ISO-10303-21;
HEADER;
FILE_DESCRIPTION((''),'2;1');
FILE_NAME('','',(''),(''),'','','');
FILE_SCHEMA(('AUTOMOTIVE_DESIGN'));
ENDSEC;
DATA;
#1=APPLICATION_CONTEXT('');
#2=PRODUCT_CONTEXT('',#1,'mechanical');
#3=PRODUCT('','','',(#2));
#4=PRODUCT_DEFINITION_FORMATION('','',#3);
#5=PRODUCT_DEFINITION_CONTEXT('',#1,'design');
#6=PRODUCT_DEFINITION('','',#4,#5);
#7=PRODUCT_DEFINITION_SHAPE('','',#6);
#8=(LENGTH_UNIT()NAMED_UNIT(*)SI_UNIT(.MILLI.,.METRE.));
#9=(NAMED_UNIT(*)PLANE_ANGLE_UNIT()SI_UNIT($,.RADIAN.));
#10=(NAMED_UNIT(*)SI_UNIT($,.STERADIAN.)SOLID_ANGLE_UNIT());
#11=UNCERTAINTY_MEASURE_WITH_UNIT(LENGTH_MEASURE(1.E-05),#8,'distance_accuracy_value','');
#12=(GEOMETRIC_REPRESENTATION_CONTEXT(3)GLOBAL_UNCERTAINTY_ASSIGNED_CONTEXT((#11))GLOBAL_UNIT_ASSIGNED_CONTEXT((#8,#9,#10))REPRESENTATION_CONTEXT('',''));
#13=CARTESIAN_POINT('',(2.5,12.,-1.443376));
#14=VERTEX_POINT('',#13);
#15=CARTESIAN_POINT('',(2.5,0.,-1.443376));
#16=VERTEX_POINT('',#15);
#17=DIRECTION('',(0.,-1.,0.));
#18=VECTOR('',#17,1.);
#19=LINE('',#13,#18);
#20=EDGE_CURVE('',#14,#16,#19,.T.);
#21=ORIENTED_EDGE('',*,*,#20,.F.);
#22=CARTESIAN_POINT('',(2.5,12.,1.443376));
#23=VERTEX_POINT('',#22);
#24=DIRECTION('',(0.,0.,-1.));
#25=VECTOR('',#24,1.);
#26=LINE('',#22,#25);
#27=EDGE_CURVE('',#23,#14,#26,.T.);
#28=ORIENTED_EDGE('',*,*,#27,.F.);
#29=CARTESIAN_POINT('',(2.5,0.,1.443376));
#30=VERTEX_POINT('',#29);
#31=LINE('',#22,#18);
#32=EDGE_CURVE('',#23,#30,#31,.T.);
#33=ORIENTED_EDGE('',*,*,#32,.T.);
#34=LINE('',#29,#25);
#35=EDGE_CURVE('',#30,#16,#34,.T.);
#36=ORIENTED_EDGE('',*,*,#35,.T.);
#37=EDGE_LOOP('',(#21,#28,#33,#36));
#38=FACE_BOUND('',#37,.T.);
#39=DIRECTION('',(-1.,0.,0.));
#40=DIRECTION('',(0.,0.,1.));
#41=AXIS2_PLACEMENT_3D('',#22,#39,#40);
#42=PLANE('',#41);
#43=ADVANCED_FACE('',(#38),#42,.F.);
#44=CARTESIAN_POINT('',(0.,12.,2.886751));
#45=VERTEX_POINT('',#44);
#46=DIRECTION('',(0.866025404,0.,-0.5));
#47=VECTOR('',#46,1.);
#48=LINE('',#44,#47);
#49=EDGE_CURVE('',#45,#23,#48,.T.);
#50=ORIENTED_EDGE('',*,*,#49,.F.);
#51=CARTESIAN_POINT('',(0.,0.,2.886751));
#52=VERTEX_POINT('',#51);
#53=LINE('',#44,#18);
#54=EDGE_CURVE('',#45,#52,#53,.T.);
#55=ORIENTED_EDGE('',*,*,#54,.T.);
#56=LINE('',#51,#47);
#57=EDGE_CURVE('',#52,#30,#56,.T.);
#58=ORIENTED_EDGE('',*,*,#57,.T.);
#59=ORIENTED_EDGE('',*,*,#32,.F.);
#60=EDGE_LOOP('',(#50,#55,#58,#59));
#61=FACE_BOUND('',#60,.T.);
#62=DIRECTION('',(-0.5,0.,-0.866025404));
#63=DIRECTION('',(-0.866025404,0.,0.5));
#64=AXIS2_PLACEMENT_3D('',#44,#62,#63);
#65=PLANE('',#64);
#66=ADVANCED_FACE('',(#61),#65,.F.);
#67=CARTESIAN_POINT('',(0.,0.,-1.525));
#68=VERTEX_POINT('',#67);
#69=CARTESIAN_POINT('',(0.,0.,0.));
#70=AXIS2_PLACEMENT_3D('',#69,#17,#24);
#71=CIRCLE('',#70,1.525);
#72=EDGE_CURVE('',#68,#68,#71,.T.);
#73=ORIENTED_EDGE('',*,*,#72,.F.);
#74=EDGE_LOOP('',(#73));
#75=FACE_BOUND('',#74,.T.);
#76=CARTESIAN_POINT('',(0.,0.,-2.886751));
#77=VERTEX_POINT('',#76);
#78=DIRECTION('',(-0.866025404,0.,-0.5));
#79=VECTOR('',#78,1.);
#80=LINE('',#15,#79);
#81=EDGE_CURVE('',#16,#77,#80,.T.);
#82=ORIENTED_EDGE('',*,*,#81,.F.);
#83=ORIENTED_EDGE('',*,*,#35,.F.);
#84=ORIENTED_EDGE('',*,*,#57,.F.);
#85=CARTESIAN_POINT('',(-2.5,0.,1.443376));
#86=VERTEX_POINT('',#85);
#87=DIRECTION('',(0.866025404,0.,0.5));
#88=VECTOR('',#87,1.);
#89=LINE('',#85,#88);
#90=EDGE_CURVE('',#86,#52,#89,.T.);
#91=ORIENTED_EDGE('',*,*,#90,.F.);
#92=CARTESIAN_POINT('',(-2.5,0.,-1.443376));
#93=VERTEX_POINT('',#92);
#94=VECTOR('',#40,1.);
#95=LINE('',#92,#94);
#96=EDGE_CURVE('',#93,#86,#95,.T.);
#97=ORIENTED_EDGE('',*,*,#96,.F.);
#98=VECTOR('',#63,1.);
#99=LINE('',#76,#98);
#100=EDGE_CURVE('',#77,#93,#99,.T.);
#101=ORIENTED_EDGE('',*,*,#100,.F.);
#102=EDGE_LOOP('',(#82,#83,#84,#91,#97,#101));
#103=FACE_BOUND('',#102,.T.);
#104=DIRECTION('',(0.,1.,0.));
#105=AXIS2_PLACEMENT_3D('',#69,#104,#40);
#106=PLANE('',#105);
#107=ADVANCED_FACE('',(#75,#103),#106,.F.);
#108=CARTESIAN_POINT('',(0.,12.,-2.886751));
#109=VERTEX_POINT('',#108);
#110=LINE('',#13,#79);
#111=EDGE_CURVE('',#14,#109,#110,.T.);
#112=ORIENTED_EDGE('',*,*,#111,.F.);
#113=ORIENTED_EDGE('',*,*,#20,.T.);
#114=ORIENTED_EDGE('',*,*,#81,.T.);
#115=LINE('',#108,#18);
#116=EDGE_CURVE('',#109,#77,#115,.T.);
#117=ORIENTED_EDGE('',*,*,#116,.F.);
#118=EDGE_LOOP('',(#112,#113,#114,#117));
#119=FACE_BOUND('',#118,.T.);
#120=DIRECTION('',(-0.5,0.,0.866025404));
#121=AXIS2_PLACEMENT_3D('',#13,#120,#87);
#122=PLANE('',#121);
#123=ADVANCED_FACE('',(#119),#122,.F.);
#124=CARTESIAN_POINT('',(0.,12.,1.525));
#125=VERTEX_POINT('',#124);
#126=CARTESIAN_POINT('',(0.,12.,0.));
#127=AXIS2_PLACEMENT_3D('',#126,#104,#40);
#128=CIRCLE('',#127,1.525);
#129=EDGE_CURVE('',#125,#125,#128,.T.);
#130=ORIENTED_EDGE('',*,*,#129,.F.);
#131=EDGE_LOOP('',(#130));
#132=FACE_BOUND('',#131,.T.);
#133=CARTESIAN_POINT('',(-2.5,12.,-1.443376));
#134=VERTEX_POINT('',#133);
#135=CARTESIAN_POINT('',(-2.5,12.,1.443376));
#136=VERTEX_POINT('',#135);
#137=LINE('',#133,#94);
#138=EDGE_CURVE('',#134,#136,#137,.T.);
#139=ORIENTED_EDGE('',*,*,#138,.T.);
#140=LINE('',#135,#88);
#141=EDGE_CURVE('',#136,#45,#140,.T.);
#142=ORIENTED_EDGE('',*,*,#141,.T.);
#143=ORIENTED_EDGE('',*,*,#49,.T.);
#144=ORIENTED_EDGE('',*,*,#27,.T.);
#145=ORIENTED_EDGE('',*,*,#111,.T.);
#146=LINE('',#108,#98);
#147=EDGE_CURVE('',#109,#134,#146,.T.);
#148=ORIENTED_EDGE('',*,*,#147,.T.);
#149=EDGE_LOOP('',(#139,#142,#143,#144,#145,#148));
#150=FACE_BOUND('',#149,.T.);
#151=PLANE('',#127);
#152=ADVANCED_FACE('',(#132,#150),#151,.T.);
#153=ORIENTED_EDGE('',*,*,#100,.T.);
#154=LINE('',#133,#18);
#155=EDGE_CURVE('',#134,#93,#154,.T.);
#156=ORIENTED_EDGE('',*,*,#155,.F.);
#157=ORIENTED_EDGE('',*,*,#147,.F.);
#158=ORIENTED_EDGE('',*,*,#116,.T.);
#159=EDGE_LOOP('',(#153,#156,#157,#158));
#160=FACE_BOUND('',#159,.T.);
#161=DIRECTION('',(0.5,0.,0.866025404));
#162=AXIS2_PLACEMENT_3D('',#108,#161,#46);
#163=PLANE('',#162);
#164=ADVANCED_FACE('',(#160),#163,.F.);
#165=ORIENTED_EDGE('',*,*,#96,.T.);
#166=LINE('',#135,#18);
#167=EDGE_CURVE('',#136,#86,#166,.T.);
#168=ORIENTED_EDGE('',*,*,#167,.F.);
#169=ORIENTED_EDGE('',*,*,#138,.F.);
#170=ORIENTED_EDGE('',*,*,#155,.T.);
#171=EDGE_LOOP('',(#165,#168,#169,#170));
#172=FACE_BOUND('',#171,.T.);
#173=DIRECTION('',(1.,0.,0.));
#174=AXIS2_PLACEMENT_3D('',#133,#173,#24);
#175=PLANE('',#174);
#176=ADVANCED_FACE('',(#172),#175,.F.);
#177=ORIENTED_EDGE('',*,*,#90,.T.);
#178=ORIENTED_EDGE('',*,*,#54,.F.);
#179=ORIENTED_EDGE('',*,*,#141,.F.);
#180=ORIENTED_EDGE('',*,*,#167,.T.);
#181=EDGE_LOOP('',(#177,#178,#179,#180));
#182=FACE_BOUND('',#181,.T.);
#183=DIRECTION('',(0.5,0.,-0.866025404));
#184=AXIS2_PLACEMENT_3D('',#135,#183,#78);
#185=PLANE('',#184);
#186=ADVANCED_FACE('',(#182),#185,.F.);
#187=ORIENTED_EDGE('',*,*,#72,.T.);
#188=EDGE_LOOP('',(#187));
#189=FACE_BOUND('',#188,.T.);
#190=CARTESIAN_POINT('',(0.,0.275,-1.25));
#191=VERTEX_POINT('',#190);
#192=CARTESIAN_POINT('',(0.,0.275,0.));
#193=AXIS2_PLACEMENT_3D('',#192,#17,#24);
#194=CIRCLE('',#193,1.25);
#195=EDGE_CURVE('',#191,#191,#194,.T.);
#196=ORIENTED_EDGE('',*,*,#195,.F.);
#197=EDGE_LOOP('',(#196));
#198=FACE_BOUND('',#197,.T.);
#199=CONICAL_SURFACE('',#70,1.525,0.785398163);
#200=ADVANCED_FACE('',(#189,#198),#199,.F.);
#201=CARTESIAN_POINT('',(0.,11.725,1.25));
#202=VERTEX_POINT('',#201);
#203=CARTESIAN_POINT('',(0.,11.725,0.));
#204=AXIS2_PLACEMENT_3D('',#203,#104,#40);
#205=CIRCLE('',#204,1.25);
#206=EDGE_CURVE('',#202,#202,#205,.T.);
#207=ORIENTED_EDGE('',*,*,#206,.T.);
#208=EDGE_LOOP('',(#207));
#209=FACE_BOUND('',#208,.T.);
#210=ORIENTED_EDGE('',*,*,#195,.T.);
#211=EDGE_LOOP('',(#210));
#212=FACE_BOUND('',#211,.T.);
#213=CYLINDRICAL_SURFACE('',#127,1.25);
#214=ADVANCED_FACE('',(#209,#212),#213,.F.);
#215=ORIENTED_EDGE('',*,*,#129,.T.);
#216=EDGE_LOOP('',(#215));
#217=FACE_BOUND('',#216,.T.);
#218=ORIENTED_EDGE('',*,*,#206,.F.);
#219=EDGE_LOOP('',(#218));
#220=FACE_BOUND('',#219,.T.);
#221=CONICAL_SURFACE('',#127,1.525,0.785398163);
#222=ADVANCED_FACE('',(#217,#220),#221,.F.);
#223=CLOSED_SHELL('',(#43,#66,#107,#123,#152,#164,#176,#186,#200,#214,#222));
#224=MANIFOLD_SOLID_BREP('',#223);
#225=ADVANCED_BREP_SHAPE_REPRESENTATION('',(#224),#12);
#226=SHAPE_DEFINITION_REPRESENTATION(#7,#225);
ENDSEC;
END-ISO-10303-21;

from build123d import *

# Parameters (mm, degrees)
BOSS_EXTRUDE1_DEPTH         = 12
M3_TAPPED_HOLE1_D           = 2.5
M3_TAPPED_HOLE1_DEPTH       = 7.5
M3_TAPPED_HOLE1_CSINK_D     = 3.05
M3_TAPPED_HOLE1_CSINK_ANGLE = 90
M3_TAPPED_HOLE1_TIP         = 0.751075774
M3_TAPPED_HOLE2_D           = 2.5
M3_TAPPED_HOLE2_DEPTH       = 7.5
M3_TAPPED_HOLE2_CSINK_D     = 3.05
M3_TAPPED_HOLE2_CSINK_ANGLE = 90
M3_TAPPED_HOLE2_TIP         = 0.751075774


with BuildPart() as part:
    # Sketch1 → Boss-Extrude1 (new body)
    with BuildSketch(Plane(origin=(0, 0, 0), x_dir=(1, 0, 0), z_dir=(0, 1, 0))):
        Polygon((-2.5, 1.443375673), (-2.5, -1.443375673), (0, -2.886751346), (2.5, -1.443375673), (2.5, 1.443375673), (0, 2.886751346), align=None)
    extrude(amount=BOSS_EXTRUDE1_DEPTH)

    # M3 Tapped Hole1
    with Locations(Plane(origin=(0, 12, 0), x_dir=(1, 0, 0), z_dir=(0, 1, 0))):
        with Locations((0, 0)):
            CounterSinkHole(M3_TAPPED_HOLE1_D / 2, M3_TAPPED_HOLE1_CSINK_D / 2, depth=M3_TAPPED_HOLE1_DEPTH, counter_sink_angle=M3_TAPPED_HOLE1_CSINK_ANGLE)
            with Locations((0, 0, -(M3_TAPPED_HOLE1_DEPTH + M3_TAPPED_HOLE1_TIP / 2))):  # 118° drill point
                Cone(0, M3_TAPPED_HOLE1_D / 2, M3_TAPPED_HOLE1_TIP, mode=Mode.SUBTRACT)

    # M3 Tapped Hole2
    with Locations(Plane(origin=(0, 0, 0), x_dir=(-1, 0, 0), z_dir=(0, -1, 0))):
        with Locations((0, 0)):
            CounterSinkHole(M3_TAPPED_HOLE2_D / 2, M3_TAPPED_HOLE2_CSINK_D / 2, depth=M3_TAPPED_HOLE2_DEPTH, counter_sink_angle=M3_TAPPED_HOLE2_CSINK_ANGLE)
            with Locations((0, 0, -(M3_TAPPED_HOLE2_DEPTH + M3_TAPPED_HOLE2_TIP / 2))):  # 118° drill point
                Cone(0, M3_TAPPED_HOLE2_D / 2, M3_TAPPED_HOLE2_TIP, mode=Mode.SUBTRACT)


solid = part.part
